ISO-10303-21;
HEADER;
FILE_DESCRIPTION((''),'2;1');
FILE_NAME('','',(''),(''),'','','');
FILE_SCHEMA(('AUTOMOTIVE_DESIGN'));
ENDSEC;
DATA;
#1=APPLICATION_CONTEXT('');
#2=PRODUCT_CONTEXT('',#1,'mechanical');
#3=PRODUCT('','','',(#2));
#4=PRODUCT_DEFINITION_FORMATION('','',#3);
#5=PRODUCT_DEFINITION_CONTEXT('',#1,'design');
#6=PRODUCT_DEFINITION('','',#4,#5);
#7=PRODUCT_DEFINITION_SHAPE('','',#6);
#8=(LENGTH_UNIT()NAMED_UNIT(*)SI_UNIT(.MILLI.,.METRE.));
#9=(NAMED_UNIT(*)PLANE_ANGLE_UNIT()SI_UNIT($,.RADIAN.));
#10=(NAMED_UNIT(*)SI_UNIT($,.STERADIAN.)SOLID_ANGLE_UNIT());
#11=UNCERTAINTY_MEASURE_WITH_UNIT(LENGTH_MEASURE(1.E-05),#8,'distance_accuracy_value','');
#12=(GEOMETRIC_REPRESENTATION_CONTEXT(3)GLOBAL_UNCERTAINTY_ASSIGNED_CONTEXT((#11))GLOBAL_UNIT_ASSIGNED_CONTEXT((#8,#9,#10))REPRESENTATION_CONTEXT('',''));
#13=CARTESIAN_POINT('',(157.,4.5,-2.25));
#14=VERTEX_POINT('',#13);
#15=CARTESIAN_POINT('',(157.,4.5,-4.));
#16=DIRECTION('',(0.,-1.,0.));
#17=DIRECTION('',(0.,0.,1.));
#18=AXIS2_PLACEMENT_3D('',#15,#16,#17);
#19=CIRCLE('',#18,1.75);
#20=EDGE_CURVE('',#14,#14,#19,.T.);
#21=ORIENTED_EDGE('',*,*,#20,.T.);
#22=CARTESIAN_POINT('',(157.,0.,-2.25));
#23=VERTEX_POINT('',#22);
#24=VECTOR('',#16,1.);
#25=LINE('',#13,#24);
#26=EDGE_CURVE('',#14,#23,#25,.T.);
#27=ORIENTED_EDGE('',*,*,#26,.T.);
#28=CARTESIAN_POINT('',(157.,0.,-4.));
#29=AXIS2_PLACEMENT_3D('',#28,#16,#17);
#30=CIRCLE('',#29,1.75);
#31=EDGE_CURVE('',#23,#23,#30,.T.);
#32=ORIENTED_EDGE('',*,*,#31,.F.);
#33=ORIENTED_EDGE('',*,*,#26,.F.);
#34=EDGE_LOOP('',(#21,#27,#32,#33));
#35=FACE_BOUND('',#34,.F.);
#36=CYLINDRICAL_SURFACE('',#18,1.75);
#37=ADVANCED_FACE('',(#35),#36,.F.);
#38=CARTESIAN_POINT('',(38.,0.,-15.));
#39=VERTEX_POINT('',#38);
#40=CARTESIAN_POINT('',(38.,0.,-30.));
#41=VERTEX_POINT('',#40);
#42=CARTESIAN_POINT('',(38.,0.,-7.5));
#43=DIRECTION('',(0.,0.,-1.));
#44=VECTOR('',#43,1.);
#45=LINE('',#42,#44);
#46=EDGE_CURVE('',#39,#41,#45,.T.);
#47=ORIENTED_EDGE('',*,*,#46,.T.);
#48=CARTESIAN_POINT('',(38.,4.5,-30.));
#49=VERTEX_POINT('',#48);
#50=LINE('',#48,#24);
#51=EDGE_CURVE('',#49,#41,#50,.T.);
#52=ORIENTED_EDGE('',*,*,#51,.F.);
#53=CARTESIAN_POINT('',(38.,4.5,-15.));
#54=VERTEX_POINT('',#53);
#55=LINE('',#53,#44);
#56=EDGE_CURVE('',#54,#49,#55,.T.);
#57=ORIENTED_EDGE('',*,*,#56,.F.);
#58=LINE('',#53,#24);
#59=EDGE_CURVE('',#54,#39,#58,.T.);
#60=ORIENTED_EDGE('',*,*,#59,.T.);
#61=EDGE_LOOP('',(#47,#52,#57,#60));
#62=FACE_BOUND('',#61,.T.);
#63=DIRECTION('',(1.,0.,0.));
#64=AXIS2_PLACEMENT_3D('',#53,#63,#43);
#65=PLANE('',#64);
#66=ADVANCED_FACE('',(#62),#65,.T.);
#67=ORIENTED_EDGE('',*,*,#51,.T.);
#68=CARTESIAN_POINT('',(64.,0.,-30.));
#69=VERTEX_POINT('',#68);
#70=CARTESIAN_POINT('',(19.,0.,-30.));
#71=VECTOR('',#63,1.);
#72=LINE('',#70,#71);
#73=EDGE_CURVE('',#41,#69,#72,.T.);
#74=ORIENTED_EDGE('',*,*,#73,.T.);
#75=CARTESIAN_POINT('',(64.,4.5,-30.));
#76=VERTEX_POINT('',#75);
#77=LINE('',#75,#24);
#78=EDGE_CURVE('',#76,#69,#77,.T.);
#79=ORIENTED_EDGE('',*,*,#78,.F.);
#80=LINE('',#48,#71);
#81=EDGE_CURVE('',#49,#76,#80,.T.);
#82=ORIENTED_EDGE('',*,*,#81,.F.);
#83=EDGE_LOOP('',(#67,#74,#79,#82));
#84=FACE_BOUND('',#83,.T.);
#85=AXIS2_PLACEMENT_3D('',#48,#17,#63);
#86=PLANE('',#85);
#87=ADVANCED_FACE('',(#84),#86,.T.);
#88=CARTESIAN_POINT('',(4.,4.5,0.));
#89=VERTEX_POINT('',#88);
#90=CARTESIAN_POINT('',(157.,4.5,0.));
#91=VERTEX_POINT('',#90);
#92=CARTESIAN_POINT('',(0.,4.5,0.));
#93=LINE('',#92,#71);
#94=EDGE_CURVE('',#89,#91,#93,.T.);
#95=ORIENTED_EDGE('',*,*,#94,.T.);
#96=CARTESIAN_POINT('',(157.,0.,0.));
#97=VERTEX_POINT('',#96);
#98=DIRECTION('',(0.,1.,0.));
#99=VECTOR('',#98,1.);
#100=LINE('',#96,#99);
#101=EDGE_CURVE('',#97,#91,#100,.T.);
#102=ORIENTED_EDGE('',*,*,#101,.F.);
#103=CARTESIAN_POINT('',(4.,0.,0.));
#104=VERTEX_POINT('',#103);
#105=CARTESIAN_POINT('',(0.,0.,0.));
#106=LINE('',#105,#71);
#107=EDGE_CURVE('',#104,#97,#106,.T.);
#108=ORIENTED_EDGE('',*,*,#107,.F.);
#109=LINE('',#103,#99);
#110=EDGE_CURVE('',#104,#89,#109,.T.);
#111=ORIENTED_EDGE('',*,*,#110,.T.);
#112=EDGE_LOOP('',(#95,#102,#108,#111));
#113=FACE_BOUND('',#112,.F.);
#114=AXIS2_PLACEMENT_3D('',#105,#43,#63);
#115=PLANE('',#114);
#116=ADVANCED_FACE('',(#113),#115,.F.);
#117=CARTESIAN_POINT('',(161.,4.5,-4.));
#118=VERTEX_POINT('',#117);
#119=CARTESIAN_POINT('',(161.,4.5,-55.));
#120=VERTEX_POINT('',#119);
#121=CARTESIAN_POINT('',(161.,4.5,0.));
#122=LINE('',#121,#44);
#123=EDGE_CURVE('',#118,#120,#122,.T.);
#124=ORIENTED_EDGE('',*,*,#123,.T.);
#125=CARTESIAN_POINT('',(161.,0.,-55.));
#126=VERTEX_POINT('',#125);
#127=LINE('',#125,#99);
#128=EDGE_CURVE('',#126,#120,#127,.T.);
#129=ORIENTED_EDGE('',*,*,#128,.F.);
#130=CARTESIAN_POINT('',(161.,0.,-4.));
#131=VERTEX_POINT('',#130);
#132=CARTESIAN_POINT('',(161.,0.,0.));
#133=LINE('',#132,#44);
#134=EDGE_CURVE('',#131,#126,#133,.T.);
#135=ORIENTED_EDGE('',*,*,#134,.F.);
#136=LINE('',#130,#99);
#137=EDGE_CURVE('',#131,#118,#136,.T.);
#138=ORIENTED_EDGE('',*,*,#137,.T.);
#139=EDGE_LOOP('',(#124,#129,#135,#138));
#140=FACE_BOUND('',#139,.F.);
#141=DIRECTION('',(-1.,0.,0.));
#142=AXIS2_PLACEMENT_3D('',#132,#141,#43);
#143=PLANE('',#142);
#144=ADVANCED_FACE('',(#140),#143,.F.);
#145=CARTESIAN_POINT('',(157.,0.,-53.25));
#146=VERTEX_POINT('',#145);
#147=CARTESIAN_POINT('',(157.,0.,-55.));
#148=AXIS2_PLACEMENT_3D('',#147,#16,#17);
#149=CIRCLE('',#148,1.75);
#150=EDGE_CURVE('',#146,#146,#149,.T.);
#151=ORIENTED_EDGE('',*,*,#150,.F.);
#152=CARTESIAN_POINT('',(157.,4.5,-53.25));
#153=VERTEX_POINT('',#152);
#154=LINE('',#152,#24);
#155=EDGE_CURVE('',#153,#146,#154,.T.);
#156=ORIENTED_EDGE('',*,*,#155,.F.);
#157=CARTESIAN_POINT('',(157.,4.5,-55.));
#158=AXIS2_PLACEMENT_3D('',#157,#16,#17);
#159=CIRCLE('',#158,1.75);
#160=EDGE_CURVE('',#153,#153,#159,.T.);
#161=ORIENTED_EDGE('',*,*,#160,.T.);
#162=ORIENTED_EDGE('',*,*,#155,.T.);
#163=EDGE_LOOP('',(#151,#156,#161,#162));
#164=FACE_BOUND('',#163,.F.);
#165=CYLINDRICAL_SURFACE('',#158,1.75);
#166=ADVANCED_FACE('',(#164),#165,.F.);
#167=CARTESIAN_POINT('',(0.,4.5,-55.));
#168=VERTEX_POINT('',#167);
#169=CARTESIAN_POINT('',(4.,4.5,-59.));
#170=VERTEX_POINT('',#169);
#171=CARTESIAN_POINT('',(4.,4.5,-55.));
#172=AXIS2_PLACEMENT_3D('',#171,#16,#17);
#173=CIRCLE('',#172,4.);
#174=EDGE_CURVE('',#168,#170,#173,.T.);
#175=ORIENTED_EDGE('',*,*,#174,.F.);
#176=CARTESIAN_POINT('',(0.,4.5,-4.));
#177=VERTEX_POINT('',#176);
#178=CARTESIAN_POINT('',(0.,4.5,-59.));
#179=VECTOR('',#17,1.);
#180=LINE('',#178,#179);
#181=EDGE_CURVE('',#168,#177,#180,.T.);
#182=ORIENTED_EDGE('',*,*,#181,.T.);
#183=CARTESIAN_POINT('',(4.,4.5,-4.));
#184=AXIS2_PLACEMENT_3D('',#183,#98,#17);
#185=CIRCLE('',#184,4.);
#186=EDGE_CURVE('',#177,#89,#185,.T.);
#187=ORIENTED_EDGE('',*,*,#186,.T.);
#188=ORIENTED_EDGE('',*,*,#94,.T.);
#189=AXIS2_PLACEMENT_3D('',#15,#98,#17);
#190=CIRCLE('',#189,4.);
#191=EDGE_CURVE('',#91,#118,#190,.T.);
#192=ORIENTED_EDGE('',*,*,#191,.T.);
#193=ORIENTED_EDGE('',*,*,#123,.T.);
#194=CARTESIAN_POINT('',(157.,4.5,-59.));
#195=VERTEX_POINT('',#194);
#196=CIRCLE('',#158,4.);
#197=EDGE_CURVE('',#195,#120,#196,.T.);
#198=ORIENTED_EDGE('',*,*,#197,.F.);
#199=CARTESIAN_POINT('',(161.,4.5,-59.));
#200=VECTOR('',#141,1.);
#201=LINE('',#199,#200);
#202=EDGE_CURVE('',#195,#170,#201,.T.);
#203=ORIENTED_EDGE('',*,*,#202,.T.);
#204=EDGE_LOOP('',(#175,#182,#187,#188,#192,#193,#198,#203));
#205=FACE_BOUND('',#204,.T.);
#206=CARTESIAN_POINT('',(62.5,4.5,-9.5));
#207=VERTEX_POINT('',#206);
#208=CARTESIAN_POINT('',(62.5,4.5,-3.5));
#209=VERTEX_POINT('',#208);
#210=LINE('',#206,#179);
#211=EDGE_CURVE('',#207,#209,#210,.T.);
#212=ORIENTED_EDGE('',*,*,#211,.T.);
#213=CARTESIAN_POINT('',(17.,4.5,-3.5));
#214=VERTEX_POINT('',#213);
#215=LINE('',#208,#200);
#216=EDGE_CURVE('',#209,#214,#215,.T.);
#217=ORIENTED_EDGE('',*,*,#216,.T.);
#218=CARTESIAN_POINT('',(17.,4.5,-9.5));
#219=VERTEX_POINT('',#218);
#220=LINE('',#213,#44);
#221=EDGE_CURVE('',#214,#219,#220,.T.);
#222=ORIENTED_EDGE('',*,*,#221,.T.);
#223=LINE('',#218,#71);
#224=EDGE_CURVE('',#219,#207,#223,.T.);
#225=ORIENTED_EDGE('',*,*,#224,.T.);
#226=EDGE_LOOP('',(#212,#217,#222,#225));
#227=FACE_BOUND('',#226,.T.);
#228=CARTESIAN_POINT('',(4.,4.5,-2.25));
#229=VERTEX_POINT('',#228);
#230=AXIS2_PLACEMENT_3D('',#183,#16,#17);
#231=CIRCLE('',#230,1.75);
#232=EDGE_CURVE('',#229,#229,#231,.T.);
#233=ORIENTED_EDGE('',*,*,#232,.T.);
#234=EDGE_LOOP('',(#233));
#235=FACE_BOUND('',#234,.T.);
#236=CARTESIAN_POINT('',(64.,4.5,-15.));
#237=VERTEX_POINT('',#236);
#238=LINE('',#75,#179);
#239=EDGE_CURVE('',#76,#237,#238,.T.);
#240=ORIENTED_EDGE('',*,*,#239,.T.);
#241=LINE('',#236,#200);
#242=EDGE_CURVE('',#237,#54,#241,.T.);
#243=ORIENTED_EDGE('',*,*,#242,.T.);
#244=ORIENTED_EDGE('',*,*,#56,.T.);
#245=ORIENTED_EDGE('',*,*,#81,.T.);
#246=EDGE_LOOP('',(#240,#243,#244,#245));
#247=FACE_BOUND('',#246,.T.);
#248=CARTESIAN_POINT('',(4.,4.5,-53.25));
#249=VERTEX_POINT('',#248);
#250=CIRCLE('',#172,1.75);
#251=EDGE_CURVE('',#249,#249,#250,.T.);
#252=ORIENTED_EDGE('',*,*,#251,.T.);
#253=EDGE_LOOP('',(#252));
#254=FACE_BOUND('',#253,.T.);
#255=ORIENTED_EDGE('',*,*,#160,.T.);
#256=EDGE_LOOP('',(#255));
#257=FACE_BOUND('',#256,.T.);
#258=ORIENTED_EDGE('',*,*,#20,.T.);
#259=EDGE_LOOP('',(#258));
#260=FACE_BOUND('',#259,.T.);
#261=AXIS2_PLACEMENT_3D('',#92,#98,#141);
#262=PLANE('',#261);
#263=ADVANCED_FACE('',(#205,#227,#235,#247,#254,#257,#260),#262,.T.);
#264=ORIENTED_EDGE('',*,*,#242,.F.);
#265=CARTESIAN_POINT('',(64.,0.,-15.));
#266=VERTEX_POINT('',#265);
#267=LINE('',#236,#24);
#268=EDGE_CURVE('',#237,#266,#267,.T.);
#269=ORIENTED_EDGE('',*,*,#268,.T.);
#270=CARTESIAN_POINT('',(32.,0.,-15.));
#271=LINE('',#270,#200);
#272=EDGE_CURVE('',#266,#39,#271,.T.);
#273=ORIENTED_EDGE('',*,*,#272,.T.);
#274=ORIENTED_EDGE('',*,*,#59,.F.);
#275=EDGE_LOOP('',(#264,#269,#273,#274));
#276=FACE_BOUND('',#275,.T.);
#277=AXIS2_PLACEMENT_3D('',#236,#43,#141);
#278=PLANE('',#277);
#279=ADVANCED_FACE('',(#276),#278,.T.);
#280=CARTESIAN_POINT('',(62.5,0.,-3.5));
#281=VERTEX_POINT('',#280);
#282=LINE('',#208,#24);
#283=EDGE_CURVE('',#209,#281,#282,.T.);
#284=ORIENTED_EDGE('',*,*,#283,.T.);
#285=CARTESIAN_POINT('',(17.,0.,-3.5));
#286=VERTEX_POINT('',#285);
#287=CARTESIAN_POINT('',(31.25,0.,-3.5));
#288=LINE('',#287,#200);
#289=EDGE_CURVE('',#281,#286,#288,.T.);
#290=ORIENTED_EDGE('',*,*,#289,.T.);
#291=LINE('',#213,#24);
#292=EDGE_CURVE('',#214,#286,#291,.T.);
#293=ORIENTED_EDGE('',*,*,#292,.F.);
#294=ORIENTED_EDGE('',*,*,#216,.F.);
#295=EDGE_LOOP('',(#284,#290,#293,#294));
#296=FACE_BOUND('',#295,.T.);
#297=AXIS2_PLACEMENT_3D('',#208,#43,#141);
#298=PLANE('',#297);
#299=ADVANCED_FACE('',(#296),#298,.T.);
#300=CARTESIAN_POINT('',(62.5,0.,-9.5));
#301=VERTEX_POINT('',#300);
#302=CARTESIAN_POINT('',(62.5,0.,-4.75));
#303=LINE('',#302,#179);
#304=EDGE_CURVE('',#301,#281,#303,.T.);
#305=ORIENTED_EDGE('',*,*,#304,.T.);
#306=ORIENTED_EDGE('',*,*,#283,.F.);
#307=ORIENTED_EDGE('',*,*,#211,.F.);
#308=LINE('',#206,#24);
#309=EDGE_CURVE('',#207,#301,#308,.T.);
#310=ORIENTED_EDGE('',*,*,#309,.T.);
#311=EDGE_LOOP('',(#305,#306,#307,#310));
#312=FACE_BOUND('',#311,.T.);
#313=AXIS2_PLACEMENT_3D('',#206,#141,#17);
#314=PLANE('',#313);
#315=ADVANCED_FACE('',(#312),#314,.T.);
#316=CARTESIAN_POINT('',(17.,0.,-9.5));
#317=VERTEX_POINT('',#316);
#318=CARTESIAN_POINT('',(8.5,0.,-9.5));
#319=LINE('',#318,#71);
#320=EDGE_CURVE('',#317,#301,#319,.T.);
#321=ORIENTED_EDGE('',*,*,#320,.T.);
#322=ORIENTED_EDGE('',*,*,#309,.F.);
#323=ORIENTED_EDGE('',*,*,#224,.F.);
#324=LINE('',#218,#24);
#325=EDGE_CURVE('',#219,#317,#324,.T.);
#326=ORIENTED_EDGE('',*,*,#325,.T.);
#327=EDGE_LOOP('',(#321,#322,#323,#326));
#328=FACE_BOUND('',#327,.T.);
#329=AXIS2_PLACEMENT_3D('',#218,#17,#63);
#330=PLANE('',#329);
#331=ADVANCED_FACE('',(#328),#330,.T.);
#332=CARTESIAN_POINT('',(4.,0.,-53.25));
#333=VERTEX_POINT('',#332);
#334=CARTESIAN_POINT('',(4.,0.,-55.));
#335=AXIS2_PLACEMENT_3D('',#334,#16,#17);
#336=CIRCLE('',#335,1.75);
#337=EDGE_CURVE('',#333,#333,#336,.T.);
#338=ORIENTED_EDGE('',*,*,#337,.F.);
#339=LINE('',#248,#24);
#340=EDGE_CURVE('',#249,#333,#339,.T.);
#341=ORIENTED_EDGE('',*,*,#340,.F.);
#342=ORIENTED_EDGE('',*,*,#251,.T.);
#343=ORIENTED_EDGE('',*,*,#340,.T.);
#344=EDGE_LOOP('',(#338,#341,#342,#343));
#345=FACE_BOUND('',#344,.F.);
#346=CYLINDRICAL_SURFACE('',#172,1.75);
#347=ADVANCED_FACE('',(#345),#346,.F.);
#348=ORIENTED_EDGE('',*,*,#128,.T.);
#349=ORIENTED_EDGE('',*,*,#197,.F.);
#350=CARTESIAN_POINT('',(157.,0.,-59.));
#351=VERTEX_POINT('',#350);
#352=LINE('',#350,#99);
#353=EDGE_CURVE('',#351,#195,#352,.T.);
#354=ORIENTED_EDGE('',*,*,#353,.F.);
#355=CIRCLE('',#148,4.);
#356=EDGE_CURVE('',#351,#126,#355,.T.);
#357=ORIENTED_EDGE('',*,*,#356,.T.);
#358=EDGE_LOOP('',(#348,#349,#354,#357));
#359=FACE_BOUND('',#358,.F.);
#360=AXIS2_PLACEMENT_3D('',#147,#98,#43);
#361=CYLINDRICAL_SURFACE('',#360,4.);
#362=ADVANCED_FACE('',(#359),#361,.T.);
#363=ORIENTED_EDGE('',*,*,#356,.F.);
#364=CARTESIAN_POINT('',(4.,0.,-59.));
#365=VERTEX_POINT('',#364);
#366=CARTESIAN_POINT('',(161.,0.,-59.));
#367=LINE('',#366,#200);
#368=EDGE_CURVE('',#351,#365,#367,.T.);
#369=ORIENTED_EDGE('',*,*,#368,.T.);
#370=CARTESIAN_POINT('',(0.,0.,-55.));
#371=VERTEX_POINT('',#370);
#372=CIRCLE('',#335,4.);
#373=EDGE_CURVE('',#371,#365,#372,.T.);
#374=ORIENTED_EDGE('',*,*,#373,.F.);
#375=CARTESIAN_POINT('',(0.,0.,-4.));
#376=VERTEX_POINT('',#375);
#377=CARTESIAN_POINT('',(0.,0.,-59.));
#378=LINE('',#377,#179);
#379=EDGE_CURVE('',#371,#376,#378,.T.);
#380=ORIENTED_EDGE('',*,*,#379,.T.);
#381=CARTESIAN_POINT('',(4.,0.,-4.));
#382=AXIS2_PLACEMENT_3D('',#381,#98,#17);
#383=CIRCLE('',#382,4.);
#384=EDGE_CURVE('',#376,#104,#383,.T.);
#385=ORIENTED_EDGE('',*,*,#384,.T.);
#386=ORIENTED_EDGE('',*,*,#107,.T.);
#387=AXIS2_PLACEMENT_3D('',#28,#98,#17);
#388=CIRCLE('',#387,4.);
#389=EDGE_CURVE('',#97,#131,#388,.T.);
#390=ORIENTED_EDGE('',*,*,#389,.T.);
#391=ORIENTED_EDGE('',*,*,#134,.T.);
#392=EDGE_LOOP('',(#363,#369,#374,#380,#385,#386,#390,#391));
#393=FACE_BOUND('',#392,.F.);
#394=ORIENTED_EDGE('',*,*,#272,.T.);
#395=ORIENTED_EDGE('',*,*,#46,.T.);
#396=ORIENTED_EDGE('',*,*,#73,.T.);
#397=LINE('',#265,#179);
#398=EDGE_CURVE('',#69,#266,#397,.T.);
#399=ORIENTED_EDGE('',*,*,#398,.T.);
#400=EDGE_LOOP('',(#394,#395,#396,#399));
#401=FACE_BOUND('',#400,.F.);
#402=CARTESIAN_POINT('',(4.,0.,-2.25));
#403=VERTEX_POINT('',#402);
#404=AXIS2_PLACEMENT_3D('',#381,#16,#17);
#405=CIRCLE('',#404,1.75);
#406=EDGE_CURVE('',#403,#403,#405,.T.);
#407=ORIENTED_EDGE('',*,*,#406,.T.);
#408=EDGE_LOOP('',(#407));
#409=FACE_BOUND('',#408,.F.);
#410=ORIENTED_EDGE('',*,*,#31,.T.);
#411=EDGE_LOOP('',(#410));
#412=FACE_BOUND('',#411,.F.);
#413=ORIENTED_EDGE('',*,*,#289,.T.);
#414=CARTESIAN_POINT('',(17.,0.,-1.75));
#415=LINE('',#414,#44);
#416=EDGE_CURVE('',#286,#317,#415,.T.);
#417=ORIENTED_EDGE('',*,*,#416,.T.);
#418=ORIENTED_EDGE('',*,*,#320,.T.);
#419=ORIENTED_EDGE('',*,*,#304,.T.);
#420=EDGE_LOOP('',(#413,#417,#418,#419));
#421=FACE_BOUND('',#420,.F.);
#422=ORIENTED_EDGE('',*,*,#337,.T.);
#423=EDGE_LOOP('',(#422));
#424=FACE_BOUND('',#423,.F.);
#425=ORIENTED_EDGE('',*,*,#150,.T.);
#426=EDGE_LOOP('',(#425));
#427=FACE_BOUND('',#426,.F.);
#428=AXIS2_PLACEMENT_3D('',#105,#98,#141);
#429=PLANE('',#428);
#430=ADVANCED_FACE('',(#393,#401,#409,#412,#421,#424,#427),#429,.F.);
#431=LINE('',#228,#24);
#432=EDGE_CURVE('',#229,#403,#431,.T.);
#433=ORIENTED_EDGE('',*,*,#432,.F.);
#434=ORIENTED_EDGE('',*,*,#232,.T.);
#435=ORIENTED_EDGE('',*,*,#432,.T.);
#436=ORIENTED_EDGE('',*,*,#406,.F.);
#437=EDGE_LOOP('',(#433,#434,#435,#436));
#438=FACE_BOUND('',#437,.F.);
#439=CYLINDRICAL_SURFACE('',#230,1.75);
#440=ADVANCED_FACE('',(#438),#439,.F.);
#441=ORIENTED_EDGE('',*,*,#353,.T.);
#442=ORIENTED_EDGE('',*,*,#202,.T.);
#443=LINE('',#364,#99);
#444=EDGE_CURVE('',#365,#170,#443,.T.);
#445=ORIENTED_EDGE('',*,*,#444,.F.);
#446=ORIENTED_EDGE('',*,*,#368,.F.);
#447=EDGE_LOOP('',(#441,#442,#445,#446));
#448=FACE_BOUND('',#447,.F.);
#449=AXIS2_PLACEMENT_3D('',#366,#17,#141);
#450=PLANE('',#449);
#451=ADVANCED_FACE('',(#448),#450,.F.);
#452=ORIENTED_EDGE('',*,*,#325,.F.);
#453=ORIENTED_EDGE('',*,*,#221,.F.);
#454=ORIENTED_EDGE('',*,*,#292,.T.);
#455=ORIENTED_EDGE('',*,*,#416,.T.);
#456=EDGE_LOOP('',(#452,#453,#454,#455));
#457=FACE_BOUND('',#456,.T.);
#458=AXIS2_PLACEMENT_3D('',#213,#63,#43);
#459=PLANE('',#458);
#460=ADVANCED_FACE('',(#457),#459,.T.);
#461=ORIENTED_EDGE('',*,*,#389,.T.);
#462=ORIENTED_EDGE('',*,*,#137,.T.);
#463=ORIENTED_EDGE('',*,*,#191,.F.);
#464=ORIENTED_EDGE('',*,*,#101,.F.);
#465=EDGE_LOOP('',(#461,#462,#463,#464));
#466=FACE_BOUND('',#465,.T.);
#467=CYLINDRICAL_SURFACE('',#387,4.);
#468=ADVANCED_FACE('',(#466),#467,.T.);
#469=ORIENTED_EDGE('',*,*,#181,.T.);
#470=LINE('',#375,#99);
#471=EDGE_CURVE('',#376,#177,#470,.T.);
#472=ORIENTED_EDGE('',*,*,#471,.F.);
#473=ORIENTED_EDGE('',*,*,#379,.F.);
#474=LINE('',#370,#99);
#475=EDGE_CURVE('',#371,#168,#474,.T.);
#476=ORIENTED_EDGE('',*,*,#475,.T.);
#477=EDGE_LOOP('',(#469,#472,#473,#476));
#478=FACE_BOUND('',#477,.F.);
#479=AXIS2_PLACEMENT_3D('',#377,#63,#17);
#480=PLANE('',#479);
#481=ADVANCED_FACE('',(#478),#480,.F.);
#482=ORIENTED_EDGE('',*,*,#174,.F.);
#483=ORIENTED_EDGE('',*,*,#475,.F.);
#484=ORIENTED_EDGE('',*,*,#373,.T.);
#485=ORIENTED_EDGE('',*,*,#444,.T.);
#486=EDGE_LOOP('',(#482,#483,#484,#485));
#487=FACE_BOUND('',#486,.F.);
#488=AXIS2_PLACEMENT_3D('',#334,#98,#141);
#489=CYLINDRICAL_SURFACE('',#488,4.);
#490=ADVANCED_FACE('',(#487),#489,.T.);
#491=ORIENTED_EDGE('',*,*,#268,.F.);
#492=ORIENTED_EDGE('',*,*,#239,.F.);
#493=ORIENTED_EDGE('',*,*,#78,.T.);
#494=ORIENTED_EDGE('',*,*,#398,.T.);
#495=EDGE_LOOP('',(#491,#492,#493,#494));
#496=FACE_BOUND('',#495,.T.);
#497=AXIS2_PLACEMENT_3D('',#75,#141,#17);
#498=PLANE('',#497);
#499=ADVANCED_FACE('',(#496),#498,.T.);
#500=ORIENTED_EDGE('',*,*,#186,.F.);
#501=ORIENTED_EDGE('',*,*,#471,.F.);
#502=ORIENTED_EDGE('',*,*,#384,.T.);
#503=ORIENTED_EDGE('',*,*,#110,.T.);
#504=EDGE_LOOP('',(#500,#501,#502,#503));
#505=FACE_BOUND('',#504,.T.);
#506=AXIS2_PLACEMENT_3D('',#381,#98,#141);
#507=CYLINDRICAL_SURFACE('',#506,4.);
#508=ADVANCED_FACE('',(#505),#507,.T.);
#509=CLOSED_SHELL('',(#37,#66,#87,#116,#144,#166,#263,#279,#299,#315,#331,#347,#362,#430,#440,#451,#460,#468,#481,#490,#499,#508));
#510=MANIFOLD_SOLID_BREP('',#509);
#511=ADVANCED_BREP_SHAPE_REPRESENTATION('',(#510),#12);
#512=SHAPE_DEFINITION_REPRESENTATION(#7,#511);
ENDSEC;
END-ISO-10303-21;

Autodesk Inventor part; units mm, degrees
ref_plane "YZ Plane" through (0, 0, 0) normal (1, 0, 0) x (0, 1, 0)
ref_plane "XZ Plane" through (0, 0, 0) normal (0, 1, 0) x (-1, 0, 0)
ref_plane "XY Plane" through (0, 0, 0) normal (0, 0, 1) x (1, 0, 0)
sketch "Szkic1" plane through (0, 0, 0) normal (0, 1, 0) x (-1, 0, 0)
  line L0 (0, 0) -> (-161, 0)
  line L1 (-161, 0) -> (-161, -59)
  line L2 (-161, -59) -> (0, -59)
  line L3 (0, -59) -> (0, 0)
  dimension "d0" = 161
  dimension "d1" = 59
extrude "Wyciągnięcie proste1" add sketch "Szkic1" along normal blind 4.5
sketch "Szkic2" plane through (0, 4.5, 0) normal (0, 1, 0) x (1, 0, 0)
  line L0 (38, 30) -> (64, 30)
  line L1 (64, 30) -> (64, 15)
  line L2 (64, 15) -> (38, 15)
  line L3 (38, 15) -> (38, 30)
  line L4 (17, 9.5) -> (62.5, 9.5)
  line L5 (62.5, 9.5) -> (62.5, 3.5)
  line L6 (62.5, 3.5) -> (17, 3.5)
  line L7 (17, 3.5) -> (17, 9.5)
  line L8 (0, 0) -> (161, 0) projected
  line L9 (0, 59) -> (0, 0) projected
  dimension "d15" = 26
  dimension "d16" = 15
  dimension "d17" = 6
  dimension "d18" = 45.5
  dimension "d19" = 3.5
  dimension "d20" = 15
  dimension "d21" = 17
  dimension "d22" = 38
extrude "Wyciągnięcie proste2" cut sketch "Szkic2" against normal through all
sketch "Szkic3" plane through (0, 4.5, 0) normal (0, 1, 0) x (1, 0, 0)
  line L0 (161, 59) -> (0, 59) projected
  line L1 (161, 0) -> (161, 59) projected
  point P0 (0, 0)
  point P1 (4, 55)
  point P2 (4, 4)
  point P3 (157, 55)
  point P4 (157, 4)
  dimension "d25" = 51
  dimension "d26" = 153
  dimension "d27" = 4
  dimension "d28" = 4
hole "Otwór1" at (4, 4.5, -55) at (4, 4.5, -4) at (157, 4.5, -55) at (157, 4.5, -4) direction (0, -1, 0) diameter 3.5 end through all
fillet "Zaokrąglenie1" radius 4 4 edges at (0, 2.25, -59) (0, 2.25, 0) (161, 2.25, -59) (161, 2.25, 0)
properties part number "5_pokrywa wyświetlacza"
